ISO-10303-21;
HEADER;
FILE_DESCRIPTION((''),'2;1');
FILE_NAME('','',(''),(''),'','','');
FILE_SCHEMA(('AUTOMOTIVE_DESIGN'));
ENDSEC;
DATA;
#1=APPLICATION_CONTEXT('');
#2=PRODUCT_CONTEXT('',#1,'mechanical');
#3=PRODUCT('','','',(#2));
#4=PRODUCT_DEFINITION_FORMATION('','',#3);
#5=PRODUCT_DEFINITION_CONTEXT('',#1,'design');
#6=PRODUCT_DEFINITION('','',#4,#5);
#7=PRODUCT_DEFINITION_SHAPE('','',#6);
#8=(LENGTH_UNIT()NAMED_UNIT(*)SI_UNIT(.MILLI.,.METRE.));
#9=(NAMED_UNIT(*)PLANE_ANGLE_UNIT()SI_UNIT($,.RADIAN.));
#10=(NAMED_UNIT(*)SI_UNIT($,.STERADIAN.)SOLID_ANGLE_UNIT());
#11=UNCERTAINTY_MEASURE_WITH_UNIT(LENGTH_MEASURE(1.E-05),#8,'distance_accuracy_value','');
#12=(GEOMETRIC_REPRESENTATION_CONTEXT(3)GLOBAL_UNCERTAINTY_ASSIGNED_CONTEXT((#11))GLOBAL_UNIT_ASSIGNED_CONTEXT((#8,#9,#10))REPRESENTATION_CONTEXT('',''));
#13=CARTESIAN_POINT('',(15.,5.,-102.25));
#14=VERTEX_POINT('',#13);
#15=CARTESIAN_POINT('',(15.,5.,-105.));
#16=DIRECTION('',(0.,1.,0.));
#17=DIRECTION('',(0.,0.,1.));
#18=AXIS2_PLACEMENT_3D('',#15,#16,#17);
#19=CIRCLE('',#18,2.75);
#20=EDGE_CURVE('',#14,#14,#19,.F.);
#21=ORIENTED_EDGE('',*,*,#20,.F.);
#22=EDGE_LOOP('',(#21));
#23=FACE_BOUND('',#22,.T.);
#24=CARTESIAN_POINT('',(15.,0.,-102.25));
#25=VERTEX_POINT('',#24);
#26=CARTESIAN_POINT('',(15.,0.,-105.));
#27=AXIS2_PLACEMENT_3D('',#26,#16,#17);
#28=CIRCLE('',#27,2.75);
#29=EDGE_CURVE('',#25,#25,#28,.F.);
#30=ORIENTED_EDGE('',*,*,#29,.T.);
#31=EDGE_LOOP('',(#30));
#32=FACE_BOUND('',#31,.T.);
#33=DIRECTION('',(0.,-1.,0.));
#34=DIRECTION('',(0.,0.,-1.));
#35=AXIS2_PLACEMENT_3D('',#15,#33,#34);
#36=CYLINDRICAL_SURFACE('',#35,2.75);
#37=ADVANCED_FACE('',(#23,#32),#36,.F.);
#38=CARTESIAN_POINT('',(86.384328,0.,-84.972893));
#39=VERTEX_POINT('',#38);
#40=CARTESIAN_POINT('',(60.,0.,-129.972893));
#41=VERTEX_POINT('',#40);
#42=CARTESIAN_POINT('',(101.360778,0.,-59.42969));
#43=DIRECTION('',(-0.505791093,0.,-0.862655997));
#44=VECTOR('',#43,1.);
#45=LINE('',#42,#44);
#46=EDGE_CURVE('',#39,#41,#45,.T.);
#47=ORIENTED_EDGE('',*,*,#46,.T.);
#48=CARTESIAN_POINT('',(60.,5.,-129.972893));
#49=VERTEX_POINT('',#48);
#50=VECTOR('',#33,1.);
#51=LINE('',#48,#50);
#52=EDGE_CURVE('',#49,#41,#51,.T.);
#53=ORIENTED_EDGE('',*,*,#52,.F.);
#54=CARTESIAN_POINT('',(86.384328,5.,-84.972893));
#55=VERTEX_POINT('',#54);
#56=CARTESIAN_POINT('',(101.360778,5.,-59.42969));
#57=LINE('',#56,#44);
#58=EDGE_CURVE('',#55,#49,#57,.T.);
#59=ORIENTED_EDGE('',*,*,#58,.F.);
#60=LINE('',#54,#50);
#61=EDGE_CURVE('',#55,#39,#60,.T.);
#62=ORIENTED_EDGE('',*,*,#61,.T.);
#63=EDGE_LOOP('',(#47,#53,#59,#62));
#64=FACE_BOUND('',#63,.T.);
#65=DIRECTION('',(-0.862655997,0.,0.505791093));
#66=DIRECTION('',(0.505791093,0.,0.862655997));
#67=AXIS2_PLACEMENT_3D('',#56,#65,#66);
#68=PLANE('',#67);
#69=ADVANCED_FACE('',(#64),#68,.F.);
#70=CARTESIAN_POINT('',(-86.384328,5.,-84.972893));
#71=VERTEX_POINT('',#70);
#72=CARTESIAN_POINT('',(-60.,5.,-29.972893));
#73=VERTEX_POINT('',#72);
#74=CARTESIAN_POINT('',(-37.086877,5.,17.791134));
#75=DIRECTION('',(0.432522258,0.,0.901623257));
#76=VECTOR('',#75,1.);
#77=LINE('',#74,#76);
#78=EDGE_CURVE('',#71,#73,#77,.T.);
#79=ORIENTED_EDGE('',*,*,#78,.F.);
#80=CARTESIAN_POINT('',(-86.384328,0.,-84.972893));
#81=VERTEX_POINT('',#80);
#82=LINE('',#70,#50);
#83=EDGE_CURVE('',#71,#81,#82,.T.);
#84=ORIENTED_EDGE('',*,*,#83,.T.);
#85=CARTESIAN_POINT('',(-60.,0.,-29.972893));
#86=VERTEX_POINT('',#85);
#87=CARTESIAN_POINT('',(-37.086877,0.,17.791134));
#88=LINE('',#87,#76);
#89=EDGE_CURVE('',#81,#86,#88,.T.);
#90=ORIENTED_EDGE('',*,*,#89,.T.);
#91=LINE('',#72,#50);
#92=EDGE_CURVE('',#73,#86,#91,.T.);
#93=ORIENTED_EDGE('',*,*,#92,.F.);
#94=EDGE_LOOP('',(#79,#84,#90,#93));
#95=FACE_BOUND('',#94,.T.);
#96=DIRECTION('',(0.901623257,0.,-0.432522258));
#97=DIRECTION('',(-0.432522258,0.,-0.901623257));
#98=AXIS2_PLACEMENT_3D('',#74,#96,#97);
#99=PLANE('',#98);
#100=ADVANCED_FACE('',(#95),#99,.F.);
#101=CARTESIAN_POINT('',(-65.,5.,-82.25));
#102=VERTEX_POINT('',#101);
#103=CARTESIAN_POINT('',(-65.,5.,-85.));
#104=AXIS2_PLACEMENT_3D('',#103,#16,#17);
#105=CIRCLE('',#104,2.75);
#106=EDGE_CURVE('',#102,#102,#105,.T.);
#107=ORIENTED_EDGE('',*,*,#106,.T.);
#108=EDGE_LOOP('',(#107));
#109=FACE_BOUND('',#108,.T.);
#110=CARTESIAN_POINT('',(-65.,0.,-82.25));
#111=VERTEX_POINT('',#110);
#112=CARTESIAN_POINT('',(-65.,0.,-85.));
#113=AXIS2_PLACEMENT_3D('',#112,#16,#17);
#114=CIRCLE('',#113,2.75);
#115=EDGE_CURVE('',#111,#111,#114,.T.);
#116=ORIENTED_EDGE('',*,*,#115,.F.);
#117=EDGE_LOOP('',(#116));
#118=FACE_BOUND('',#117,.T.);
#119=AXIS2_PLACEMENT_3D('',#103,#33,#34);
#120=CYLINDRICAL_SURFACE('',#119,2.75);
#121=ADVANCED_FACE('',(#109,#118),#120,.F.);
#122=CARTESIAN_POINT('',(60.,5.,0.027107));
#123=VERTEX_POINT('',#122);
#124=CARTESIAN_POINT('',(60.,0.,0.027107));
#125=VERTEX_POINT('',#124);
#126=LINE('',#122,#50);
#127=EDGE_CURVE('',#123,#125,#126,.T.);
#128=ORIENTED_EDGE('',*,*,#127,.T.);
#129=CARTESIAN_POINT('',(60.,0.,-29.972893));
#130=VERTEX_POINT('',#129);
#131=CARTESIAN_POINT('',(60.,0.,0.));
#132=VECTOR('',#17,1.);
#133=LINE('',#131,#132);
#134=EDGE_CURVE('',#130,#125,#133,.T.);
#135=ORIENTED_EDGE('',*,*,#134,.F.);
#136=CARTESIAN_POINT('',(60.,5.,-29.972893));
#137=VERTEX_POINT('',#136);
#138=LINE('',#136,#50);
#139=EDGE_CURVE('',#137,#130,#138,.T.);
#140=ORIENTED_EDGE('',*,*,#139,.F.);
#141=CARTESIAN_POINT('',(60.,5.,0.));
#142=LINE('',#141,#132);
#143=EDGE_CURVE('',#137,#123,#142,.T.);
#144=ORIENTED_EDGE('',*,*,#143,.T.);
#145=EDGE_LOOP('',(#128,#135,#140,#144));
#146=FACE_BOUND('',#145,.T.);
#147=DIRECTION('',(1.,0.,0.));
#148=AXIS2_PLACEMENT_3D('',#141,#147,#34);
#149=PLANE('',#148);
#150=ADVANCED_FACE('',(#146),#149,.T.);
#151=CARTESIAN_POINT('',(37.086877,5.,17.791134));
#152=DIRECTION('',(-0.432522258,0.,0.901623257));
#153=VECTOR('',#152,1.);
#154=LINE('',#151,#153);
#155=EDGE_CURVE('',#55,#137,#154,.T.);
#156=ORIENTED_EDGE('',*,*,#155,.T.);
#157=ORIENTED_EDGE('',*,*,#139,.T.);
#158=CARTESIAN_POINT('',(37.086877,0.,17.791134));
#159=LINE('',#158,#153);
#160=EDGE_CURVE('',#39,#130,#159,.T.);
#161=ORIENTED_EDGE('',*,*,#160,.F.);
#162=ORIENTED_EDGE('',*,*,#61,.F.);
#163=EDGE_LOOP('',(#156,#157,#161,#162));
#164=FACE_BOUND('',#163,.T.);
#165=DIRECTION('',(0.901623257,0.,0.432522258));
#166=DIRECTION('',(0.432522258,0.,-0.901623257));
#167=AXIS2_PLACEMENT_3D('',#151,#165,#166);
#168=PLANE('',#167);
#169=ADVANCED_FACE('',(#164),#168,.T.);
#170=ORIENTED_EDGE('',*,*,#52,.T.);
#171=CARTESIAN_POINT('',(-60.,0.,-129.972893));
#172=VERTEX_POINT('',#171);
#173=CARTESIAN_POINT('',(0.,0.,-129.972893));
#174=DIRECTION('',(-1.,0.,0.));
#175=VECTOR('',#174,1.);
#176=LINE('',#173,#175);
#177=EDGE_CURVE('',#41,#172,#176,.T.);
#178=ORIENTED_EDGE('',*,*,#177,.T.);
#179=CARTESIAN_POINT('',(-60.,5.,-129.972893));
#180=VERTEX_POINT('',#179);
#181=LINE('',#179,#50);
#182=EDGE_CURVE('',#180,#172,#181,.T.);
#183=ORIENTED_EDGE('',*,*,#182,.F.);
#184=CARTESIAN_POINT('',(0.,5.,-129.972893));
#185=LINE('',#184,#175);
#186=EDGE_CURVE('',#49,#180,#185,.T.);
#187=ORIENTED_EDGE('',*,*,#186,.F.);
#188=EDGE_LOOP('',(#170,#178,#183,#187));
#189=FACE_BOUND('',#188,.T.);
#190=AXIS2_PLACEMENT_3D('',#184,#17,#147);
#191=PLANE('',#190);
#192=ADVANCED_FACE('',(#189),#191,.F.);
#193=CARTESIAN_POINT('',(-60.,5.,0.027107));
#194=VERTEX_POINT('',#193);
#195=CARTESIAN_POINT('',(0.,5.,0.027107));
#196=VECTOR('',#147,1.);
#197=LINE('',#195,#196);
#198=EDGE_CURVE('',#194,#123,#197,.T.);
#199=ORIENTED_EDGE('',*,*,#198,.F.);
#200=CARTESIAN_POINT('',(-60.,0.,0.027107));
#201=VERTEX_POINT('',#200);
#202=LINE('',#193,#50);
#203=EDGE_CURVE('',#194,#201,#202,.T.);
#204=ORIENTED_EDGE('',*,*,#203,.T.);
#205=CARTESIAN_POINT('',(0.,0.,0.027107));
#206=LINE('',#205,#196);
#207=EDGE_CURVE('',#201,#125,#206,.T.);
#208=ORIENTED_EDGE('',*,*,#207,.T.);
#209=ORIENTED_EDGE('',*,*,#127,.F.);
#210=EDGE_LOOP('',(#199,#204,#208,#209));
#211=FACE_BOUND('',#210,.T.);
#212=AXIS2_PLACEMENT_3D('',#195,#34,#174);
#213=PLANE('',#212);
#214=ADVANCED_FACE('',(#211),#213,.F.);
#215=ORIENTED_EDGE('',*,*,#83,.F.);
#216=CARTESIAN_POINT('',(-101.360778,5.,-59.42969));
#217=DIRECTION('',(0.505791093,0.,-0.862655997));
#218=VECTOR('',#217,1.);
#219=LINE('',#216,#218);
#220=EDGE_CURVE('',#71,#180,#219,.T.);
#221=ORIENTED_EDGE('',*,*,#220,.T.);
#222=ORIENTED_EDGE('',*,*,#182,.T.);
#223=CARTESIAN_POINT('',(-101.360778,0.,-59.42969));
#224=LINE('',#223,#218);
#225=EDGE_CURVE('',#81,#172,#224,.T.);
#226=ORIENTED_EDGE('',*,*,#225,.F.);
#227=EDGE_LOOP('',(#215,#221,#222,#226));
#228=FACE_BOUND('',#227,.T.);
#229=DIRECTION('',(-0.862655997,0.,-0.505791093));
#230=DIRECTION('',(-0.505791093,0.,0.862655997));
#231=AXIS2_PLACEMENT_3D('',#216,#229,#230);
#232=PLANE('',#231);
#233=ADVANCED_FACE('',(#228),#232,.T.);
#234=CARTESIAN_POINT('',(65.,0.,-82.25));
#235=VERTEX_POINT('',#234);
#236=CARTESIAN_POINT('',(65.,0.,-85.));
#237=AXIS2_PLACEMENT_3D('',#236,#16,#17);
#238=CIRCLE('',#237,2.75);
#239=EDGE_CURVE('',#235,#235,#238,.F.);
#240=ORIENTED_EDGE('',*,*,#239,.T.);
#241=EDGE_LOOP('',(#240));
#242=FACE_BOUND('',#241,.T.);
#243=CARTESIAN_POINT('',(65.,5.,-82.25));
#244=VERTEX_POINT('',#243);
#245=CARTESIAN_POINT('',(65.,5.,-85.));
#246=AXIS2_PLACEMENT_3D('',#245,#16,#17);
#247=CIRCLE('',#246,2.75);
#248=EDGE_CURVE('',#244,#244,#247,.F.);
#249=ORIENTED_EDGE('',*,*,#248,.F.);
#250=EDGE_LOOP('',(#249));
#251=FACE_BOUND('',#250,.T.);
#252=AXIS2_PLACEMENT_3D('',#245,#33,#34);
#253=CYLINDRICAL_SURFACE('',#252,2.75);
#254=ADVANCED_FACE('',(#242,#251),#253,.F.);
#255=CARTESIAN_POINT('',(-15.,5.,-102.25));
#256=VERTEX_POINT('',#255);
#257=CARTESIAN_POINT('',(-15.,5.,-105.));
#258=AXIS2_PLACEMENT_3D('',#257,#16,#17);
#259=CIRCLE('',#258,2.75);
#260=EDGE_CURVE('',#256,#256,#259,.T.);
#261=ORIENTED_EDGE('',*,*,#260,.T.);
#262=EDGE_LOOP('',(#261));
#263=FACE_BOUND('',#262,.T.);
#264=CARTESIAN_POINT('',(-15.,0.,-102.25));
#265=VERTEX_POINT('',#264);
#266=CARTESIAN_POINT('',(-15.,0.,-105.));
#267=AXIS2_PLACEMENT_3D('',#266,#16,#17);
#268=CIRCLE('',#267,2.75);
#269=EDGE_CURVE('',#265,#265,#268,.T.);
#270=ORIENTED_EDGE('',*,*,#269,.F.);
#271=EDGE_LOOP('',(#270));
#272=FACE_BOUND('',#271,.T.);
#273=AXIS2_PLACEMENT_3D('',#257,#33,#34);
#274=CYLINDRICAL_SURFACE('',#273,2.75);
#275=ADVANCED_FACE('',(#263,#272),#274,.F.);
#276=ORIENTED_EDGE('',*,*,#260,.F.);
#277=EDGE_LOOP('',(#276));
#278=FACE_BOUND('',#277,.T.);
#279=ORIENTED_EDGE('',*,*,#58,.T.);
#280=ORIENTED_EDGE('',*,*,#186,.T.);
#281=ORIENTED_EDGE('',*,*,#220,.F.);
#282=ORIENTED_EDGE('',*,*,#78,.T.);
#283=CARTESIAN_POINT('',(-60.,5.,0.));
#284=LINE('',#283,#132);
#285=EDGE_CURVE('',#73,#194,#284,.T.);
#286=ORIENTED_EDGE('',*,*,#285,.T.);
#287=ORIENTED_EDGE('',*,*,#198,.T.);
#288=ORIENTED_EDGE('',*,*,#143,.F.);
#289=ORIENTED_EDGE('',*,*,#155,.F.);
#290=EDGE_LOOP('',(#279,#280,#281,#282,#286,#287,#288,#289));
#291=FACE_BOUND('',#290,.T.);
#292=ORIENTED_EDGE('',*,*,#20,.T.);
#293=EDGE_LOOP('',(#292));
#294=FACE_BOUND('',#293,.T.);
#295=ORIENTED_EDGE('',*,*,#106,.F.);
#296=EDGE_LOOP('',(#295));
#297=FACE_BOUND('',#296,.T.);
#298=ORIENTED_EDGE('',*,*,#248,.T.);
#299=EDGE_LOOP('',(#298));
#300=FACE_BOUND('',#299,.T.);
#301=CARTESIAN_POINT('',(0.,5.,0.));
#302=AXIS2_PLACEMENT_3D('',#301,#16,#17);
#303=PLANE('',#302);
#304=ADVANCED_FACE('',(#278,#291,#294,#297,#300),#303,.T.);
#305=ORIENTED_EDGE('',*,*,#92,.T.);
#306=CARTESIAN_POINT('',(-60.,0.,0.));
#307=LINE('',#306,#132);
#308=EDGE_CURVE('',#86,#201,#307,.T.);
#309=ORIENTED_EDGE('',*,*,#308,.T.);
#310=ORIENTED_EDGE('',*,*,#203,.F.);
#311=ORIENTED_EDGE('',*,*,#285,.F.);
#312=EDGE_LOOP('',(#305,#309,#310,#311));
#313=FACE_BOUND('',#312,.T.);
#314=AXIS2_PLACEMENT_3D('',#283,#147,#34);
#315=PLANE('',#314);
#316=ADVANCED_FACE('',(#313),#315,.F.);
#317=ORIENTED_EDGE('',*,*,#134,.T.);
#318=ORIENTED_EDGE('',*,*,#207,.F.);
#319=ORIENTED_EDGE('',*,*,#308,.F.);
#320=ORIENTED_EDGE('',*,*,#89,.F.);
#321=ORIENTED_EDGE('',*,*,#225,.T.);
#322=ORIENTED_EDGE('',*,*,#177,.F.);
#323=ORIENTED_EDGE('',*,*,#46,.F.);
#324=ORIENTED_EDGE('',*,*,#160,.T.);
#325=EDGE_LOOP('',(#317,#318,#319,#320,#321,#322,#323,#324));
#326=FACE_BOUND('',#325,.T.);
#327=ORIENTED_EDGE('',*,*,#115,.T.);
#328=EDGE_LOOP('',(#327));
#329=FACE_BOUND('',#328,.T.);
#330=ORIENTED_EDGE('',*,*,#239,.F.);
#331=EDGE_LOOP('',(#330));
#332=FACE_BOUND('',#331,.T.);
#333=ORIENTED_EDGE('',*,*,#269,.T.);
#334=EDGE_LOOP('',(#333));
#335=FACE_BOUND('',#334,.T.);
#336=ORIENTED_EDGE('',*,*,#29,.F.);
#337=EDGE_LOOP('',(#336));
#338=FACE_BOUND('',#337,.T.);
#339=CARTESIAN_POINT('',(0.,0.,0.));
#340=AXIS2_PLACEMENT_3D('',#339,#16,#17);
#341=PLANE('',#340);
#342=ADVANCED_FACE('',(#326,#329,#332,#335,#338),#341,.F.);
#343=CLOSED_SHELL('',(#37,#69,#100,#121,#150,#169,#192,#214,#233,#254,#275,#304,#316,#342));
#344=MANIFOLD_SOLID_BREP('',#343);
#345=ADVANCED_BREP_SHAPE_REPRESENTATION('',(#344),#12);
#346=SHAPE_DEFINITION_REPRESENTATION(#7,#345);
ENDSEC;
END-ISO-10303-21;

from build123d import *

# Parameters (mm, degrees)
SKETCH2_R           = 2.75
BOSS_EXTRUDE1_DEPTH = 5


with BuildPart() as part:
    # Sketch2 → Boss-Extrude1 (new body)
    with BuildSketch(Plane(origin=(0, 0, 0), x_dir=(1, 0, 0), z_dir=(0, 1, 0))):
        Polygon((-60, 29.972892827), (-60, -0.027107173), (60, -0.027107173), (60, 29.972892827), (86.384328478, 84.972892827), (60, 129.972892827), (-60, 129.972892827), (-86.384328478, 84.972892827), align=None)
        with Locations((-15, 105)):
            Circle(SKETCH2_R, mode=Mode.SUBTRACT)
        with Locations((-65, 85)):
            Circle(SKETCH2_R, mode=Mode.SUBTRACT)
        with Locations((65, 85)):
            Circle(SKETCH2_R, mode=Mode.SUBTRACT)
        with Locations((15, 105)):
            Circle(SKETCH2_R, mode=Mode.SUBTRACT)
    extrude(amount=BOSS_EXTRUDE1_DEPTH)


solid = part.part
